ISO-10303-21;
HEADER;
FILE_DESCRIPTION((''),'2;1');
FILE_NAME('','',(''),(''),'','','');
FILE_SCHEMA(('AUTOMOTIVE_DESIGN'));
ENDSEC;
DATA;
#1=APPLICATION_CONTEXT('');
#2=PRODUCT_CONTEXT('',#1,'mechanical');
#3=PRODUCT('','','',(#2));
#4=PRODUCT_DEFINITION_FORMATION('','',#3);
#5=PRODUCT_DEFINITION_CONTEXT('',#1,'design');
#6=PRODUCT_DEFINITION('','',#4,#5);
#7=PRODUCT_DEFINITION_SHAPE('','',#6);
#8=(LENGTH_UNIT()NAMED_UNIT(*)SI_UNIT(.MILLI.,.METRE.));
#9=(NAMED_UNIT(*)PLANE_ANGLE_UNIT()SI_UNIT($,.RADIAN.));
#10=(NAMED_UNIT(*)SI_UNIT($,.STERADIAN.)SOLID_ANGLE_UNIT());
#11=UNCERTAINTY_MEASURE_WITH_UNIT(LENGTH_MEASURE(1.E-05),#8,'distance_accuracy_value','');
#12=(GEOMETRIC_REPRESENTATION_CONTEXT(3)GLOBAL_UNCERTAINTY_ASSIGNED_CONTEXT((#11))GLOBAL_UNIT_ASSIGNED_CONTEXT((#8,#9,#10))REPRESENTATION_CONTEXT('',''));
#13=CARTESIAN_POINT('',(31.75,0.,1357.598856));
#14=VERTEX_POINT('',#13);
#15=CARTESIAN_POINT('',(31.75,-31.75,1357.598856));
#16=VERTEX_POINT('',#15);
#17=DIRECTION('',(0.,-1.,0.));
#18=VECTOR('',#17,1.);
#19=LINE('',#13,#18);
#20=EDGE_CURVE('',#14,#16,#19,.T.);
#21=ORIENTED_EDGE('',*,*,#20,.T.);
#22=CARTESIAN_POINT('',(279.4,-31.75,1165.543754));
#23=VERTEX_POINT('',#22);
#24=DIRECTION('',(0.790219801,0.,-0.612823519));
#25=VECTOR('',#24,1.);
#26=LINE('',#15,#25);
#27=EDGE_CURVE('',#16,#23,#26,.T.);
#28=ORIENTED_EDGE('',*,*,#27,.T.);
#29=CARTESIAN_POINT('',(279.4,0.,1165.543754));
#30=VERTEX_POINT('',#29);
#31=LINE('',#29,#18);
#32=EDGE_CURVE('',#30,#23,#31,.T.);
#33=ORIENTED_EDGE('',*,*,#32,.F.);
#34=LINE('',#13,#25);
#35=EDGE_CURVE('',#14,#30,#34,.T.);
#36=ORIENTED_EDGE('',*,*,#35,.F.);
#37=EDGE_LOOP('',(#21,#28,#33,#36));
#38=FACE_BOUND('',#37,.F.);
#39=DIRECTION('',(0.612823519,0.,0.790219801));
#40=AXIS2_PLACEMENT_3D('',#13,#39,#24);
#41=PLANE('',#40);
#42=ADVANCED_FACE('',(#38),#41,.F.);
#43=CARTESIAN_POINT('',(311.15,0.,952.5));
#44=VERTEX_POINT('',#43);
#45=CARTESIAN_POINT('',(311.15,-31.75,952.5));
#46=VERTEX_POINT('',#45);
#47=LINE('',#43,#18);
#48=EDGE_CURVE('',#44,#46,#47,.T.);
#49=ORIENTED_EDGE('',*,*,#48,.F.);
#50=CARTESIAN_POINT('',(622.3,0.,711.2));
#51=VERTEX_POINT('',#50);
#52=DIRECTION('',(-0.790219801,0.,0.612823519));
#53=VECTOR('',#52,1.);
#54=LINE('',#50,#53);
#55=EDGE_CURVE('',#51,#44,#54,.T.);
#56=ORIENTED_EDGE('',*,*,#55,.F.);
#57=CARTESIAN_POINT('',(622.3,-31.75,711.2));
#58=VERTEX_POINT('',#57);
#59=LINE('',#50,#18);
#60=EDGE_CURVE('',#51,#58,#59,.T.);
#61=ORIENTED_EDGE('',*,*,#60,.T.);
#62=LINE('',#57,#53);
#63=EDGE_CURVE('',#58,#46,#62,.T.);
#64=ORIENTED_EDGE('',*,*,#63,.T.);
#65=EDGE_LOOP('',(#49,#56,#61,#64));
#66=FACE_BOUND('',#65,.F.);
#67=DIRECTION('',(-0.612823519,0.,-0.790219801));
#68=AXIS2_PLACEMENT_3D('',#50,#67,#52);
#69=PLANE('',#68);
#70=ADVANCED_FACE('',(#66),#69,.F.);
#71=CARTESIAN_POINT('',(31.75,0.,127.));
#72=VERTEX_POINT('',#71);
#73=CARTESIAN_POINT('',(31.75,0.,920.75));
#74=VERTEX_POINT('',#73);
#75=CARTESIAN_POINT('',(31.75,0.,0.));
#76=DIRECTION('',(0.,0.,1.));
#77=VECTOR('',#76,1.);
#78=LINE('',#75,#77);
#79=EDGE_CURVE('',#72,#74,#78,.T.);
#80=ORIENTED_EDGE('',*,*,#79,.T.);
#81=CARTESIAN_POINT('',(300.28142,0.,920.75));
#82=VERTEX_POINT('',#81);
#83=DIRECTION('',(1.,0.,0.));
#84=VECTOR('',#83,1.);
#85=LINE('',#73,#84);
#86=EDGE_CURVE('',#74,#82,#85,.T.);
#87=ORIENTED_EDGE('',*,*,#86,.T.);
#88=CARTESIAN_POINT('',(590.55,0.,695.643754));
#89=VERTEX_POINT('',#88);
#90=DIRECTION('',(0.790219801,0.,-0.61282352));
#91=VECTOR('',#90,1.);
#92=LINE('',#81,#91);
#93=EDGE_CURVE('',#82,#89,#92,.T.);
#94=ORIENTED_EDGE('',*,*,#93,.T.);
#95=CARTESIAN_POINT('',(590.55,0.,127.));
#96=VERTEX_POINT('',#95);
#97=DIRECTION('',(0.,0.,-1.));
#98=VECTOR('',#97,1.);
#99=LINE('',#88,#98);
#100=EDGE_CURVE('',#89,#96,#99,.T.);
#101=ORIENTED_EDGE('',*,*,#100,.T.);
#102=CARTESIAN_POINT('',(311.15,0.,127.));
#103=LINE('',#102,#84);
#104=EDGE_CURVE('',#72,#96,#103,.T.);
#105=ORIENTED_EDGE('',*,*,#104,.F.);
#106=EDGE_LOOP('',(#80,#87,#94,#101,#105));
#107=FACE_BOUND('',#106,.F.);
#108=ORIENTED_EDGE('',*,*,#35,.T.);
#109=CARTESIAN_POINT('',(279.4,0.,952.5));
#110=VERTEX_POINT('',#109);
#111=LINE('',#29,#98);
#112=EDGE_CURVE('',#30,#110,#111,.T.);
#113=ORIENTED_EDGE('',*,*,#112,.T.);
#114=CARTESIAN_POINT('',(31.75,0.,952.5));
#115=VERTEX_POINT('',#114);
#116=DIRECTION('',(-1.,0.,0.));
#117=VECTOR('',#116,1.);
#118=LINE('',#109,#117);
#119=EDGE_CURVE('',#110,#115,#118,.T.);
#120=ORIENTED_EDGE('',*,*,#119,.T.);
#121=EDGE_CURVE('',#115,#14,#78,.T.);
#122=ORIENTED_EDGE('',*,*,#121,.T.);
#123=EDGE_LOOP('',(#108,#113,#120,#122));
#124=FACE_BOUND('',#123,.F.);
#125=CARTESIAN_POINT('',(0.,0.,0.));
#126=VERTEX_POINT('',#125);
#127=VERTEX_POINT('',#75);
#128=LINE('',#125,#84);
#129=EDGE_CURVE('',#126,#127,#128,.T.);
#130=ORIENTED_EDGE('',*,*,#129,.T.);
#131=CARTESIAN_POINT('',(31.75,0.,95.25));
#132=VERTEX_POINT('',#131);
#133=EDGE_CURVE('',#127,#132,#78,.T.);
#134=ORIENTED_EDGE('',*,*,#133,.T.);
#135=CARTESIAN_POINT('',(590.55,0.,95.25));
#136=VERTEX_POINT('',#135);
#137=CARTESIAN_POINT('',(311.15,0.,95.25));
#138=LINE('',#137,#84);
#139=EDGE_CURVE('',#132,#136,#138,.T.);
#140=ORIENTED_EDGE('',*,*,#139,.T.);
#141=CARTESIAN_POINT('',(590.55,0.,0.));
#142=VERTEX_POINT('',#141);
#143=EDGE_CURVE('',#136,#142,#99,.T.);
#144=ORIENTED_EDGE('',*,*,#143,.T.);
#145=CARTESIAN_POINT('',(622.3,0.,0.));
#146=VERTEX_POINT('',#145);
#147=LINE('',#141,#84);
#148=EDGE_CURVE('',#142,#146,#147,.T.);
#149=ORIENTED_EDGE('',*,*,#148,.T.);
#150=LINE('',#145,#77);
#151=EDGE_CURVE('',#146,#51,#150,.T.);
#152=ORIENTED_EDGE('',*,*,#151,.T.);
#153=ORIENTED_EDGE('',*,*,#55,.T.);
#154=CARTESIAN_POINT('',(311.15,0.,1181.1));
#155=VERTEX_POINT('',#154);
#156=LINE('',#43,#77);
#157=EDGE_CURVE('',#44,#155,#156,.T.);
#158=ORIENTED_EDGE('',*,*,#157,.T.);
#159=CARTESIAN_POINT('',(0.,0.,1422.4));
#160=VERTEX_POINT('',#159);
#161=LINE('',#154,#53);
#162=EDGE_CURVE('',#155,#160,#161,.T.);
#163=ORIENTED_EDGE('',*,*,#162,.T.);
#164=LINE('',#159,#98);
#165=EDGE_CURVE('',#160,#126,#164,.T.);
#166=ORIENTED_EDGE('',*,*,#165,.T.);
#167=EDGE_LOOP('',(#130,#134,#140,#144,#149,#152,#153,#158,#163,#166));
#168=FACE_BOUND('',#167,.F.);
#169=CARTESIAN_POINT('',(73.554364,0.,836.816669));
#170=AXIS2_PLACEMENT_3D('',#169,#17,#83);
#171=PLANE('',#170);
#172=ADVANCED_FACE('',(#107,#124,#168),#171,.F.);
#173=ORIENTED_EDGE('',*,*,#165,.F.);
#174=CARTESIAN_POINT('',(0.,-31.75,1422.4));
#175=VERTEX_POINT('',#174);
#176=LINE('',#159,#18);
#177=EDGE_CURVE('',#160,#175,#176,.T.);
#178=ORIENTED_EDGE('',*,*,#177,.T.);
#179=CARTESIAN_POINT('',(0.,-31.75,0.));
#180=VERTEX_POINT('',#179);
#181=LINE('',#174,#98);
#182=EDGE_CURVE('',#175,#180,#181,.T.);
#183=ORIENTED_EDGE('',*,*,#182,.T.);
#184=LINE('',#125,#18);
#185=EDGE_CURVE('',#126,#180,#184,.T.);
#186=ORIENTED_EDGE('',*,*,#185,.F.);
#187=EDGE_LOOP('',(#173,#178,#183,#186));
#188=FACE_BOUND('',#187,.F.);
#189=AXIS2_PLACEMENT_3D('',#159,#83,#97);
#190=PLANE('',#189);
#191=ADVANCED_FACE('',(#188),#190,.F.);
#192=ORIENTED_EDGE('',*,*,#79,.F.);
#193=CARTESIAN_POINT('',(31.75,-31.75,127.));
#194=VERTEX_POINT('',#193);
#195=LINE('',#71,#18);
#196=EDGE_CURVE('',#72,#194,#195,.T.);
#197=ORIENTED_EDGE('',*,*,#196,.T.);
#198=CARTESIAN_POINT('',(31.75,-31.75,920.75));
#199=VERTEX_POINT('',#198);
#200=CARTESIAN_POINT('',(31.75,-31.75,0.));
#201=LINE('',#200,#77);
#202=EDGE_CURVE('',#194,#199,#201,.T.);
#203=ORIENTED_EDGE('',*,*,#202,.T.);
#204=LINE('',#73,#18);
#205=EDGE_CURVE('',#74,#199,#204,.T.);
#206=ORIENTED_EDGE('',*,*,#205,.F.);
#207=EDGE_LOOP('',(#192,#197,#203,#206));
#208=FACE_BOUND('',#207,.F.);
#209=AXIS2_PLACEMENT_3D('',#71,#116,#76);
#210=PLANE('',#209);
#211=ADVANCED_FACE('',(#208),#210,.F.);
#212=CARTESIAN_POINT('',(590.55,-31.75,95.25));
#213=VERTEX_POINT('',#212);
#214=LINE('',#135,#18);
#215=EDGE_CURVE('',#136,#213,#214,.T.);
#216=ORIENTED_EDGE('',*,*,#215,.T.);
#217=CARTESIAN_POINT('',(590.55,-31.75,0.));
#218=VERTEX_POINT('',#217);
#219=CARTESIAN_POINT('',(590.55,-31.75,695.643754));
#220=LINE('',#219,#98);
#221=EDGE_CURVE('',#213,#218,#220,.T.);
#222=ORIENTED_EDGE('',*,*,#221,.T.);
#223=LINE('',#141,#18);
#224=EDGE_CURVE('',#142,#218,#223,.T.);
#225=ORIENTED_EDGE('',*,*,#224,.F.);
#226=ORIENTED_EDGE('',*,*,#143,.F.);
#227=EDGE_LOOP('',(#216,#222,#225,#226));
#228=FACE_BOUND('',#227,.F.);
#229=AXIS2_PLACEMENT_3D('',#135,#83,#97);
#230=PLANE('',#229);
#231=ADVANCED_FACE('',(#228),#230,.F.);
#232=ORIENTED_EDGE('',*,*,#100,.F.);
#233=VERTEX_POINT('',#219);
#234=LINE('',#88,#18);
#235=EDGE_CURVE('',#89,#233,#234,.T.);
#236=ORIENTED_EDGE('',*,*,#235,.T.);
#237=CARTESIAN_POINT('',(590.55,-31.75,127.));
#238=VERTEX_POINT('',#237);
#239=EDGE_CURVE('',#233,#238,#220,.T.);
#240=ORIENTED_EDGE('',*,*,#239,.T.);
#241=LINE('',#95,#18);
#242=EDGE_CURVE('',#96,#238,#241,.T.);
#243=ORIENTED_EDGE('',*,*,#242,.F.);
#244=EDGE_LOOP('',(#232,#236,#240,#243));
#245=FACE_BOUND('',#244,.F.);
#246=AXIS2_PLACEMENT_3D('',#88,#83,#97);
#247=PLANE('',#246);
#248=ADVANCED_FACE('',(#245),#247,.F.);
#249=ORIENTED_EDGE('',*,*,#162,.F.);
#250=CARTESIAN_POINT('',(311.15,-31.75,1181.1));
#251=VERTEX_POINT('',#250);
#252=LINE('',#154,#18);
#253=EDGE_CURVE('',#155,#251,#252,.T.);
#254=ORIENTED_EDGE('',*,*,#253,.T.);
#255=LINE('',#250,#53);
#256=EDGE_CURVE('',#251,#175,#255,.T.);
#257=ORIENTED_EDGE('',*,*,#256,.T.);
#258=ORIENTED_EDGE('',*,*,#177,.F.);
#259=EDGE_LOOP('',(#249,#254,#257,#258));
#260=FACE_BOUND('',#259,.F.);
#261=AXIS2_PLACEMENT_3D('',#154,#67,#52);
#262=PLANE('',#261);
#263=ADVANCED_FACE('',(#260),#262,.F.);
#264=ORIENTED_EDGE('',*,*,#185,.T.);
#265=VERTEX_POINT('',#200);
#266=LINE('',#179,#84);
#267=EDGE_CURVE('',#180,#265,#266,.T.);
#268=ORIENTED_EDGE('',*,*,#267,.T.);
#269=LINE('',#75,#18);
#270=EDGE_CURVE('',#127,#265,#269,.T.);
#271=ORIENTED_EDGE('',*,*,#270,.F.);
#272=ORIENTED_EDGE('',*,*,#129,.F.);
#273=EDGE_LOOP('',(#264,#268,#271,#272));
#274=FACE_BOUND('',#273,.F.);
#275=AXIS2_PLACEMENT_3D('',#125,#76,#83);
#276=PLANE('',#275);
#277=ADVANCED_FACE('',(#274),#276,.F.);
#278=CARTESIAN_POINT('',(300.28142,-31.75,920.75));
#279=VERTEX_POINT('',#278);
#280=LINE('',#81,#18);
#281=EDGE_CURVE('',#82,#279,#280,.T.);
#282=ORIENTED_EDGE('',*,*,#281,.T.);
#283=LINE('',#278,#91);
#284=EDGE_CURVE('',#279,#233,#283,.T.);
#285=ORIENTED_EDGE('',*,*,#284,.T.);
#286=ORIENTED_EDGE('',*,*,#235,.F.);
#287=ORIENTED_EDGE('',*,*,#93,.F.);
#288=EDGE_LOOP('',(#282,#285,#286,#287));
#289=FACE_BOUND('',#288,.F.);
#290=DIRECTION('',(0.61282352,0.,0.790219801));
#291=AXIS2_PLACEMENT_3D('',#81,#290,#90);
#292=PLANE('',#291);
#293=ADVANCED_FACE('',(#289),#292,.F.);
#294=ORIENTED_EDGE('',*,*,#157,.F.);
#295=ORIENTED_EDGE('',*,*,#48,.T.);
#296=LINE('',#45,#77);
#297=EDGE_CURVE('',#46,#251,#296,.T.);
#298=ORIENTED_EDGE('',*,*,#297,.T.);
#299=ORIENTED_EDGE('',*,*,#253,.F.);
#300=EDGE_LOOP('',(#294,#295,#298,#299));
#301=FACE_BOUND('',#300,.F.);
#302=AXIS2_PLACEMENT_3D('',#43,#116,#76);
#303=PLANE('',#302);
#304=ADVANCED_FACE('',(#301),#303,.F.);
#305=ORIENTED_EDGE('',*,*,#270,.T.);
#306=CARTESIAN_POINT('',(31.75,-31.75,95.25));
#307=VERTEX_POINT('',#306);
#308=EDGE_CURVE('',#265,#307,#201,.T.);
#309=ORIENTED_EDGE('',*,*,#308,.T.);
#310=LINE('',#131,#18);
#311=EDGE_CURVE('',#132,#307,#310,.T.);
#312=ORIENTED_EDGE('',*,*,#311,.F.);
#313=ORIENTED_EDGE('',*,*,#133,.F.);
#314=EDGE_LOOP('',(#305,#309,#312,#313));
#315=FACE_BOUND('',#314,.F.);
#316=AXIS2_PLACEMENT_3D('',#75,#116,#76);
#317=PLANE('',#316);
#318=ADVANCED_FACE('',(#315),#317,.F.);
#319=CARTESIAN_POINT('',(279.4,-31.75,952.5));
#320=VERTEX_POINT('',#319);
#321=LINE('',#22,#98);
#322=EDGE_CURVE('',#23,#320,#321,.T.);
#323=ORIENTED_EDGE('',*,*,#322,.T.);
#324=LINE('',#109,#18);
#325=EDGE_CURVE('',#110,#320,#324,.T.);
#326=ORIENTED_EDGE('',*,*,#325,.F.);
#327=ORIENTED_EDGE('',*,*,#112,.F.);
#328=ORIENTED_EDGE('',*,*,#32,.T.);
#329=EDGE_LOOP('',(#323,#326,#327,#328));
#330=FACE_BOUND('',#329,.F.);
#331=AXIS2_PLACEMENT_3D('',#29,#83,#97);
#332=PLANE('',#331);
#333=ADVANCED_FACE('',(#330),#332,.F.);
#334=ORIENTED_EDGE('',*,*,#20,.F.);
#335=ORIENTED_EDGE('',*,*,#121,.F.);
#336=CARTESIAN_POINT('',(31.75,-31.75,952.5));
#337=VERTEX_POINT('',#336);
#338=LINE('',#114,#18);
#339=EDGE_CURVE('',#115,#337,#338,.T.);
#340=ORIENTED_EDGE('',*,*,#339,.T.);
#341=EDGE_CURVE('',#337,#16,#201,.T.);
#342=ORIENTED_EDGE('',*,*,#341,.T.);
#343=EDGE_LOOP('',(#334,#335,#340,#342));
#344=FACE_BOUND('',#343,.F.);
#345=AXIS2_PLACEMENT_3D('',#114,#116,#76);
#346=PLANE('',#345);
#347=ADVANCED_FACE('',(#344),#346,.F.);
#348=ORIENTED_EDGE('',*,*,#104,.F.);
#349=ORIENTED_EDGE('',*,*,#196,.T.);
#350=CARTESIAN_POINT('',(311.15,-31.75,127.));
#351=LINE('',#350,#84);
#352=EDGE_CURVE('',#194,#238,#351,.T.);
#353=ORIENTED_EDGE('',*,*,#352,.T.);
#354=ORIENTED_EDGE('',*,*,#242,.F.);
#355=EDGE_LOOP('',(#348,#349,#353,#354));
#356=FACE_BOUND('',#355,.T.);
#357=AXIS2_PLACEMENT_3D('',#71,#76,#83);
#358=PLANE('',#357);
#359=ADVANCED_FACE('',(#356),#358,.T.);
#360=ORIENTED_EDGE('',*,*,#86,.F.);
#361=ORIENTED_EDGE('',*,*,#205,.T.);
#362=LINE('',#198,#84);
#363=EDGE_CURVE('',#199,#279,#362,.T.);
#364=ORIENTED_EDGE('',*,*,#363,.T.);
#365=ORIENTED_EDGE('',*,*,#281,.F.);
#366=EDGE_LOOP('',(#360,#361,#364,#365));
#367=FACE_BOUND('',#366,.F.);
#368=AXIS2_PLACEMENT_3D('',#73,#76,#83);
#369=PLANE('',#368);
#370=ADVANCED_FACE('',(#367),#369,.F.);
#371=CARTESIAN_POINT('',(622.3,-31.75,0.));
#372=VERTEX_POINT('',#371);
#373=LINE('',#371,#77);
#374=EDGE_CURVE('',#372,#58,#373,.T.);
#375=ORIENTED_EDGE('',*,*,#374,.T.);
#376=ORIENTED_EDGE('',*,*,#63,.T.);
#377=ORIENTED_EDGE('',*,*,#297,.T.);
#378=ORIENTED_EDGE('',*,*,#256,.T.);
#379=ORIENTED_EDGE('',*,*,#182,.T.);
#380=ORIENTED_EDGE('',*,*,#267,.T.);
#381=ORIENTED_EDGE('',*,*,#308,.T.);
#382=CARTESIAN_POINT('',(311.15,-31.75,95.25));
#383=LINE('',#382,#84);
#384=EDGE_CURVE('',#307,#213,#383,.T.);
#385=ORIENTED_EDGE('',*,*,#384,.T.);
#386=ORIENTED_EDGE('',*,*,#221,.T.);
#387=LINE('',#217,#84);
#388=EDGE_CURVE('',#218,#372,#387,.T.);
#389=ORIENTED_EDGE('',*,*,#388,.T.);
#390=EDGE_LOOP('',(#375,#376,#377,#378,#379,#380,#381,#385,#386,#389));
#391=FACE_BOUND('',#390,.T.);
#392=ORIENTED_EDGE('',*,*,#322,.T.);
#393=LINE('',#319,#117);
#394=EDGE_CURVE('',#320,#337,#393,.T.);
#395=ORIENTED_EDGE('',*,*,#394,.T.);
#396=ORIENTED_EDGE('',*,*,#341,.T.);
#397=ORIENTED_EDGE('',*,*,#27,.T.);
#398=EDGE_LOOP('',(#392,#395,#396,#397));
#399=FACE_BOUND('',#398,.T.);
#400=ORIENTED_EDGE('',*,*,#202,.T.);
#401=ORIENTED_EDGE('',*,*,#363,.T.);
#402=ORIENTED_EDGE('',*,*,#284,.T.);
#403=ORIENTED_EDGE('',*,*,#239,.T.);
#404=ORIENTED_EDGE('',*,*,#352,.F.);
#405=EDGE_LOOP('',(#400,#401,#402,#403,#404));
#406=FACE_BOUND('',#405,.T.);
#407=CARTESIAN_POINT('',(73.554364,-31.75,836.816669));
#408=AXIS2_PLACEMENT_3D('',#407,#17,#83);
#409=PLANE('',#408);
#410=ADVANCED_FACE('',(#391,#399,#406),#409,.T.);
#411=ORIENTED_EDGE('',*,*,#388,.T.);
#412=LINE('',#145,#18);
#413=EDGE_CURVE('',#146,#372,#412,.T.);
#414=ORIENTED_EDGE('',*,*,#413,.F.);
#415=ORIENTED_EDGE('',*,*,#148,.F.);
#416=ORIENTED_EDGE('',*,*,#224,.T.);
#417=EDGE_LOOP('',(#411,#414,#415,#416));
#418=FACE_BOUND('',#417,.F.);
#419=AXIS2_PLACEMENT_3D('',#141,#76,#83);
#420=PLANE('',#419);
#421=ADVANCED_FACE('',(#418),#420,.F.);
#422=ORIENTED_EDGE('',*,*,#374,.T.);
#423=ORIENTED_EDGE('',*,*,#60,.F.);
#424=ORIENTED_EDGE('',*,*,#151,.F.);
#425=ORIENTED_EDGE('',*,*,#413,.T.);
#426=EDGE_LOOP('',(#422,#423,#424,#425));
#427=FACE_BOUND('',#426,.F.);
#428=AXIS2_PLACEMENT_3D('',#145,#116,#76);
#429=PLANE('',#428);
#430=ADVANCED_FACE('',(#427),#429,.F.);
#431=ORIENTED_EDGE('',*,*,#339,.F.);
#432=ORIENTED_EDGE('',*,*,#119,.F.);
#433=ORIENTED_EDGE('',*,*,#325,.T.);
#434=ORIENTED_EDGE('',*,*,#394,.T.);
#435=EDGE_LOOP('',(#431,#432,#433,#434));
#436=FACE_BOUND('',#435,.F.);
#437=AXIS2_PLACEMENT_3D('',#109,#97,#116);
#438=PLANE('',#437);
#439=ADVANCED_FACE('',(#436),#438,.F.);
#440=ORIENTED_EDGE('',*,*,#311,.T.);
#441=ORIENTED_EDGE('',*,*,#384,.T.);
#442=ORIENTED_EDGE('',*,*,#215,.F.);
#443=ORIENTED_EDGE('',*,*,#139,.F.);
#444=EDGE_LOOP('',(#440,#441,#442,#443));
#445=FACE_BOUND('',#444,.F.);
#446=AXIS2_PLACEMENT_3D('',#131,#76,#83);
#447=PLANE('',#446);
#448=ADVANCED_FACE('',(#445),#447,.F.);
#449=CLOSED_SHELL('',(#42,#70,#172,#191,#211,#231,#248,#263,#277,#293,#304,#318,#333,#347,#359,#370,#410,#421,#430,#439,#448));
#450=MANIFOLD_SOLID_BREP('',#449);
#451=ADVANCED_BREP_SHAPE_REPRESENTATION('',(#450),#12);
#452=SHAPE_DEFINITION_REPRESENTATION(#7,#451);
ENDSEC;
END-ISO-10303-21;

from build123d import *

# Parameters (mm, degrees)
F0_W     = 558.8
F0_H     = 31.75
F1_DEPTH = 31.75


with BuildPart() as f1:
    # F0 (on Front) → F1 (new body)
    with BuildSketch(Plane.XZ):
        Polygon((0, 711.2), (0, 0), (31.75, 0), (31.75, 95.25), (31.75, 127), (31.75, 920.75), (31.75, 952.5), (31.75, 1357.598856), (279.4, 1165.543754), (279.4, 952.5), (311.15, 952.5), (311.15, 1181.1), (0, 1422.4), (0, 952.5), align=None)
        Polygon((590.55, 127), (590.55, 95.25), (590.55, 0), (622.3, 0), (622.3, 711.2), (311.15, 952.5), (279.4, 952.5), (31.75, 952.5), (31.75, 920.75), (300.28142, 920.75), (590.55, 695.643754), align=None)
        with Locations((311.15, 111.125)):
            Rectangle(F0_W, F0_H)
    extrude(amount=F1_DEPTH)


solid = f1.part
